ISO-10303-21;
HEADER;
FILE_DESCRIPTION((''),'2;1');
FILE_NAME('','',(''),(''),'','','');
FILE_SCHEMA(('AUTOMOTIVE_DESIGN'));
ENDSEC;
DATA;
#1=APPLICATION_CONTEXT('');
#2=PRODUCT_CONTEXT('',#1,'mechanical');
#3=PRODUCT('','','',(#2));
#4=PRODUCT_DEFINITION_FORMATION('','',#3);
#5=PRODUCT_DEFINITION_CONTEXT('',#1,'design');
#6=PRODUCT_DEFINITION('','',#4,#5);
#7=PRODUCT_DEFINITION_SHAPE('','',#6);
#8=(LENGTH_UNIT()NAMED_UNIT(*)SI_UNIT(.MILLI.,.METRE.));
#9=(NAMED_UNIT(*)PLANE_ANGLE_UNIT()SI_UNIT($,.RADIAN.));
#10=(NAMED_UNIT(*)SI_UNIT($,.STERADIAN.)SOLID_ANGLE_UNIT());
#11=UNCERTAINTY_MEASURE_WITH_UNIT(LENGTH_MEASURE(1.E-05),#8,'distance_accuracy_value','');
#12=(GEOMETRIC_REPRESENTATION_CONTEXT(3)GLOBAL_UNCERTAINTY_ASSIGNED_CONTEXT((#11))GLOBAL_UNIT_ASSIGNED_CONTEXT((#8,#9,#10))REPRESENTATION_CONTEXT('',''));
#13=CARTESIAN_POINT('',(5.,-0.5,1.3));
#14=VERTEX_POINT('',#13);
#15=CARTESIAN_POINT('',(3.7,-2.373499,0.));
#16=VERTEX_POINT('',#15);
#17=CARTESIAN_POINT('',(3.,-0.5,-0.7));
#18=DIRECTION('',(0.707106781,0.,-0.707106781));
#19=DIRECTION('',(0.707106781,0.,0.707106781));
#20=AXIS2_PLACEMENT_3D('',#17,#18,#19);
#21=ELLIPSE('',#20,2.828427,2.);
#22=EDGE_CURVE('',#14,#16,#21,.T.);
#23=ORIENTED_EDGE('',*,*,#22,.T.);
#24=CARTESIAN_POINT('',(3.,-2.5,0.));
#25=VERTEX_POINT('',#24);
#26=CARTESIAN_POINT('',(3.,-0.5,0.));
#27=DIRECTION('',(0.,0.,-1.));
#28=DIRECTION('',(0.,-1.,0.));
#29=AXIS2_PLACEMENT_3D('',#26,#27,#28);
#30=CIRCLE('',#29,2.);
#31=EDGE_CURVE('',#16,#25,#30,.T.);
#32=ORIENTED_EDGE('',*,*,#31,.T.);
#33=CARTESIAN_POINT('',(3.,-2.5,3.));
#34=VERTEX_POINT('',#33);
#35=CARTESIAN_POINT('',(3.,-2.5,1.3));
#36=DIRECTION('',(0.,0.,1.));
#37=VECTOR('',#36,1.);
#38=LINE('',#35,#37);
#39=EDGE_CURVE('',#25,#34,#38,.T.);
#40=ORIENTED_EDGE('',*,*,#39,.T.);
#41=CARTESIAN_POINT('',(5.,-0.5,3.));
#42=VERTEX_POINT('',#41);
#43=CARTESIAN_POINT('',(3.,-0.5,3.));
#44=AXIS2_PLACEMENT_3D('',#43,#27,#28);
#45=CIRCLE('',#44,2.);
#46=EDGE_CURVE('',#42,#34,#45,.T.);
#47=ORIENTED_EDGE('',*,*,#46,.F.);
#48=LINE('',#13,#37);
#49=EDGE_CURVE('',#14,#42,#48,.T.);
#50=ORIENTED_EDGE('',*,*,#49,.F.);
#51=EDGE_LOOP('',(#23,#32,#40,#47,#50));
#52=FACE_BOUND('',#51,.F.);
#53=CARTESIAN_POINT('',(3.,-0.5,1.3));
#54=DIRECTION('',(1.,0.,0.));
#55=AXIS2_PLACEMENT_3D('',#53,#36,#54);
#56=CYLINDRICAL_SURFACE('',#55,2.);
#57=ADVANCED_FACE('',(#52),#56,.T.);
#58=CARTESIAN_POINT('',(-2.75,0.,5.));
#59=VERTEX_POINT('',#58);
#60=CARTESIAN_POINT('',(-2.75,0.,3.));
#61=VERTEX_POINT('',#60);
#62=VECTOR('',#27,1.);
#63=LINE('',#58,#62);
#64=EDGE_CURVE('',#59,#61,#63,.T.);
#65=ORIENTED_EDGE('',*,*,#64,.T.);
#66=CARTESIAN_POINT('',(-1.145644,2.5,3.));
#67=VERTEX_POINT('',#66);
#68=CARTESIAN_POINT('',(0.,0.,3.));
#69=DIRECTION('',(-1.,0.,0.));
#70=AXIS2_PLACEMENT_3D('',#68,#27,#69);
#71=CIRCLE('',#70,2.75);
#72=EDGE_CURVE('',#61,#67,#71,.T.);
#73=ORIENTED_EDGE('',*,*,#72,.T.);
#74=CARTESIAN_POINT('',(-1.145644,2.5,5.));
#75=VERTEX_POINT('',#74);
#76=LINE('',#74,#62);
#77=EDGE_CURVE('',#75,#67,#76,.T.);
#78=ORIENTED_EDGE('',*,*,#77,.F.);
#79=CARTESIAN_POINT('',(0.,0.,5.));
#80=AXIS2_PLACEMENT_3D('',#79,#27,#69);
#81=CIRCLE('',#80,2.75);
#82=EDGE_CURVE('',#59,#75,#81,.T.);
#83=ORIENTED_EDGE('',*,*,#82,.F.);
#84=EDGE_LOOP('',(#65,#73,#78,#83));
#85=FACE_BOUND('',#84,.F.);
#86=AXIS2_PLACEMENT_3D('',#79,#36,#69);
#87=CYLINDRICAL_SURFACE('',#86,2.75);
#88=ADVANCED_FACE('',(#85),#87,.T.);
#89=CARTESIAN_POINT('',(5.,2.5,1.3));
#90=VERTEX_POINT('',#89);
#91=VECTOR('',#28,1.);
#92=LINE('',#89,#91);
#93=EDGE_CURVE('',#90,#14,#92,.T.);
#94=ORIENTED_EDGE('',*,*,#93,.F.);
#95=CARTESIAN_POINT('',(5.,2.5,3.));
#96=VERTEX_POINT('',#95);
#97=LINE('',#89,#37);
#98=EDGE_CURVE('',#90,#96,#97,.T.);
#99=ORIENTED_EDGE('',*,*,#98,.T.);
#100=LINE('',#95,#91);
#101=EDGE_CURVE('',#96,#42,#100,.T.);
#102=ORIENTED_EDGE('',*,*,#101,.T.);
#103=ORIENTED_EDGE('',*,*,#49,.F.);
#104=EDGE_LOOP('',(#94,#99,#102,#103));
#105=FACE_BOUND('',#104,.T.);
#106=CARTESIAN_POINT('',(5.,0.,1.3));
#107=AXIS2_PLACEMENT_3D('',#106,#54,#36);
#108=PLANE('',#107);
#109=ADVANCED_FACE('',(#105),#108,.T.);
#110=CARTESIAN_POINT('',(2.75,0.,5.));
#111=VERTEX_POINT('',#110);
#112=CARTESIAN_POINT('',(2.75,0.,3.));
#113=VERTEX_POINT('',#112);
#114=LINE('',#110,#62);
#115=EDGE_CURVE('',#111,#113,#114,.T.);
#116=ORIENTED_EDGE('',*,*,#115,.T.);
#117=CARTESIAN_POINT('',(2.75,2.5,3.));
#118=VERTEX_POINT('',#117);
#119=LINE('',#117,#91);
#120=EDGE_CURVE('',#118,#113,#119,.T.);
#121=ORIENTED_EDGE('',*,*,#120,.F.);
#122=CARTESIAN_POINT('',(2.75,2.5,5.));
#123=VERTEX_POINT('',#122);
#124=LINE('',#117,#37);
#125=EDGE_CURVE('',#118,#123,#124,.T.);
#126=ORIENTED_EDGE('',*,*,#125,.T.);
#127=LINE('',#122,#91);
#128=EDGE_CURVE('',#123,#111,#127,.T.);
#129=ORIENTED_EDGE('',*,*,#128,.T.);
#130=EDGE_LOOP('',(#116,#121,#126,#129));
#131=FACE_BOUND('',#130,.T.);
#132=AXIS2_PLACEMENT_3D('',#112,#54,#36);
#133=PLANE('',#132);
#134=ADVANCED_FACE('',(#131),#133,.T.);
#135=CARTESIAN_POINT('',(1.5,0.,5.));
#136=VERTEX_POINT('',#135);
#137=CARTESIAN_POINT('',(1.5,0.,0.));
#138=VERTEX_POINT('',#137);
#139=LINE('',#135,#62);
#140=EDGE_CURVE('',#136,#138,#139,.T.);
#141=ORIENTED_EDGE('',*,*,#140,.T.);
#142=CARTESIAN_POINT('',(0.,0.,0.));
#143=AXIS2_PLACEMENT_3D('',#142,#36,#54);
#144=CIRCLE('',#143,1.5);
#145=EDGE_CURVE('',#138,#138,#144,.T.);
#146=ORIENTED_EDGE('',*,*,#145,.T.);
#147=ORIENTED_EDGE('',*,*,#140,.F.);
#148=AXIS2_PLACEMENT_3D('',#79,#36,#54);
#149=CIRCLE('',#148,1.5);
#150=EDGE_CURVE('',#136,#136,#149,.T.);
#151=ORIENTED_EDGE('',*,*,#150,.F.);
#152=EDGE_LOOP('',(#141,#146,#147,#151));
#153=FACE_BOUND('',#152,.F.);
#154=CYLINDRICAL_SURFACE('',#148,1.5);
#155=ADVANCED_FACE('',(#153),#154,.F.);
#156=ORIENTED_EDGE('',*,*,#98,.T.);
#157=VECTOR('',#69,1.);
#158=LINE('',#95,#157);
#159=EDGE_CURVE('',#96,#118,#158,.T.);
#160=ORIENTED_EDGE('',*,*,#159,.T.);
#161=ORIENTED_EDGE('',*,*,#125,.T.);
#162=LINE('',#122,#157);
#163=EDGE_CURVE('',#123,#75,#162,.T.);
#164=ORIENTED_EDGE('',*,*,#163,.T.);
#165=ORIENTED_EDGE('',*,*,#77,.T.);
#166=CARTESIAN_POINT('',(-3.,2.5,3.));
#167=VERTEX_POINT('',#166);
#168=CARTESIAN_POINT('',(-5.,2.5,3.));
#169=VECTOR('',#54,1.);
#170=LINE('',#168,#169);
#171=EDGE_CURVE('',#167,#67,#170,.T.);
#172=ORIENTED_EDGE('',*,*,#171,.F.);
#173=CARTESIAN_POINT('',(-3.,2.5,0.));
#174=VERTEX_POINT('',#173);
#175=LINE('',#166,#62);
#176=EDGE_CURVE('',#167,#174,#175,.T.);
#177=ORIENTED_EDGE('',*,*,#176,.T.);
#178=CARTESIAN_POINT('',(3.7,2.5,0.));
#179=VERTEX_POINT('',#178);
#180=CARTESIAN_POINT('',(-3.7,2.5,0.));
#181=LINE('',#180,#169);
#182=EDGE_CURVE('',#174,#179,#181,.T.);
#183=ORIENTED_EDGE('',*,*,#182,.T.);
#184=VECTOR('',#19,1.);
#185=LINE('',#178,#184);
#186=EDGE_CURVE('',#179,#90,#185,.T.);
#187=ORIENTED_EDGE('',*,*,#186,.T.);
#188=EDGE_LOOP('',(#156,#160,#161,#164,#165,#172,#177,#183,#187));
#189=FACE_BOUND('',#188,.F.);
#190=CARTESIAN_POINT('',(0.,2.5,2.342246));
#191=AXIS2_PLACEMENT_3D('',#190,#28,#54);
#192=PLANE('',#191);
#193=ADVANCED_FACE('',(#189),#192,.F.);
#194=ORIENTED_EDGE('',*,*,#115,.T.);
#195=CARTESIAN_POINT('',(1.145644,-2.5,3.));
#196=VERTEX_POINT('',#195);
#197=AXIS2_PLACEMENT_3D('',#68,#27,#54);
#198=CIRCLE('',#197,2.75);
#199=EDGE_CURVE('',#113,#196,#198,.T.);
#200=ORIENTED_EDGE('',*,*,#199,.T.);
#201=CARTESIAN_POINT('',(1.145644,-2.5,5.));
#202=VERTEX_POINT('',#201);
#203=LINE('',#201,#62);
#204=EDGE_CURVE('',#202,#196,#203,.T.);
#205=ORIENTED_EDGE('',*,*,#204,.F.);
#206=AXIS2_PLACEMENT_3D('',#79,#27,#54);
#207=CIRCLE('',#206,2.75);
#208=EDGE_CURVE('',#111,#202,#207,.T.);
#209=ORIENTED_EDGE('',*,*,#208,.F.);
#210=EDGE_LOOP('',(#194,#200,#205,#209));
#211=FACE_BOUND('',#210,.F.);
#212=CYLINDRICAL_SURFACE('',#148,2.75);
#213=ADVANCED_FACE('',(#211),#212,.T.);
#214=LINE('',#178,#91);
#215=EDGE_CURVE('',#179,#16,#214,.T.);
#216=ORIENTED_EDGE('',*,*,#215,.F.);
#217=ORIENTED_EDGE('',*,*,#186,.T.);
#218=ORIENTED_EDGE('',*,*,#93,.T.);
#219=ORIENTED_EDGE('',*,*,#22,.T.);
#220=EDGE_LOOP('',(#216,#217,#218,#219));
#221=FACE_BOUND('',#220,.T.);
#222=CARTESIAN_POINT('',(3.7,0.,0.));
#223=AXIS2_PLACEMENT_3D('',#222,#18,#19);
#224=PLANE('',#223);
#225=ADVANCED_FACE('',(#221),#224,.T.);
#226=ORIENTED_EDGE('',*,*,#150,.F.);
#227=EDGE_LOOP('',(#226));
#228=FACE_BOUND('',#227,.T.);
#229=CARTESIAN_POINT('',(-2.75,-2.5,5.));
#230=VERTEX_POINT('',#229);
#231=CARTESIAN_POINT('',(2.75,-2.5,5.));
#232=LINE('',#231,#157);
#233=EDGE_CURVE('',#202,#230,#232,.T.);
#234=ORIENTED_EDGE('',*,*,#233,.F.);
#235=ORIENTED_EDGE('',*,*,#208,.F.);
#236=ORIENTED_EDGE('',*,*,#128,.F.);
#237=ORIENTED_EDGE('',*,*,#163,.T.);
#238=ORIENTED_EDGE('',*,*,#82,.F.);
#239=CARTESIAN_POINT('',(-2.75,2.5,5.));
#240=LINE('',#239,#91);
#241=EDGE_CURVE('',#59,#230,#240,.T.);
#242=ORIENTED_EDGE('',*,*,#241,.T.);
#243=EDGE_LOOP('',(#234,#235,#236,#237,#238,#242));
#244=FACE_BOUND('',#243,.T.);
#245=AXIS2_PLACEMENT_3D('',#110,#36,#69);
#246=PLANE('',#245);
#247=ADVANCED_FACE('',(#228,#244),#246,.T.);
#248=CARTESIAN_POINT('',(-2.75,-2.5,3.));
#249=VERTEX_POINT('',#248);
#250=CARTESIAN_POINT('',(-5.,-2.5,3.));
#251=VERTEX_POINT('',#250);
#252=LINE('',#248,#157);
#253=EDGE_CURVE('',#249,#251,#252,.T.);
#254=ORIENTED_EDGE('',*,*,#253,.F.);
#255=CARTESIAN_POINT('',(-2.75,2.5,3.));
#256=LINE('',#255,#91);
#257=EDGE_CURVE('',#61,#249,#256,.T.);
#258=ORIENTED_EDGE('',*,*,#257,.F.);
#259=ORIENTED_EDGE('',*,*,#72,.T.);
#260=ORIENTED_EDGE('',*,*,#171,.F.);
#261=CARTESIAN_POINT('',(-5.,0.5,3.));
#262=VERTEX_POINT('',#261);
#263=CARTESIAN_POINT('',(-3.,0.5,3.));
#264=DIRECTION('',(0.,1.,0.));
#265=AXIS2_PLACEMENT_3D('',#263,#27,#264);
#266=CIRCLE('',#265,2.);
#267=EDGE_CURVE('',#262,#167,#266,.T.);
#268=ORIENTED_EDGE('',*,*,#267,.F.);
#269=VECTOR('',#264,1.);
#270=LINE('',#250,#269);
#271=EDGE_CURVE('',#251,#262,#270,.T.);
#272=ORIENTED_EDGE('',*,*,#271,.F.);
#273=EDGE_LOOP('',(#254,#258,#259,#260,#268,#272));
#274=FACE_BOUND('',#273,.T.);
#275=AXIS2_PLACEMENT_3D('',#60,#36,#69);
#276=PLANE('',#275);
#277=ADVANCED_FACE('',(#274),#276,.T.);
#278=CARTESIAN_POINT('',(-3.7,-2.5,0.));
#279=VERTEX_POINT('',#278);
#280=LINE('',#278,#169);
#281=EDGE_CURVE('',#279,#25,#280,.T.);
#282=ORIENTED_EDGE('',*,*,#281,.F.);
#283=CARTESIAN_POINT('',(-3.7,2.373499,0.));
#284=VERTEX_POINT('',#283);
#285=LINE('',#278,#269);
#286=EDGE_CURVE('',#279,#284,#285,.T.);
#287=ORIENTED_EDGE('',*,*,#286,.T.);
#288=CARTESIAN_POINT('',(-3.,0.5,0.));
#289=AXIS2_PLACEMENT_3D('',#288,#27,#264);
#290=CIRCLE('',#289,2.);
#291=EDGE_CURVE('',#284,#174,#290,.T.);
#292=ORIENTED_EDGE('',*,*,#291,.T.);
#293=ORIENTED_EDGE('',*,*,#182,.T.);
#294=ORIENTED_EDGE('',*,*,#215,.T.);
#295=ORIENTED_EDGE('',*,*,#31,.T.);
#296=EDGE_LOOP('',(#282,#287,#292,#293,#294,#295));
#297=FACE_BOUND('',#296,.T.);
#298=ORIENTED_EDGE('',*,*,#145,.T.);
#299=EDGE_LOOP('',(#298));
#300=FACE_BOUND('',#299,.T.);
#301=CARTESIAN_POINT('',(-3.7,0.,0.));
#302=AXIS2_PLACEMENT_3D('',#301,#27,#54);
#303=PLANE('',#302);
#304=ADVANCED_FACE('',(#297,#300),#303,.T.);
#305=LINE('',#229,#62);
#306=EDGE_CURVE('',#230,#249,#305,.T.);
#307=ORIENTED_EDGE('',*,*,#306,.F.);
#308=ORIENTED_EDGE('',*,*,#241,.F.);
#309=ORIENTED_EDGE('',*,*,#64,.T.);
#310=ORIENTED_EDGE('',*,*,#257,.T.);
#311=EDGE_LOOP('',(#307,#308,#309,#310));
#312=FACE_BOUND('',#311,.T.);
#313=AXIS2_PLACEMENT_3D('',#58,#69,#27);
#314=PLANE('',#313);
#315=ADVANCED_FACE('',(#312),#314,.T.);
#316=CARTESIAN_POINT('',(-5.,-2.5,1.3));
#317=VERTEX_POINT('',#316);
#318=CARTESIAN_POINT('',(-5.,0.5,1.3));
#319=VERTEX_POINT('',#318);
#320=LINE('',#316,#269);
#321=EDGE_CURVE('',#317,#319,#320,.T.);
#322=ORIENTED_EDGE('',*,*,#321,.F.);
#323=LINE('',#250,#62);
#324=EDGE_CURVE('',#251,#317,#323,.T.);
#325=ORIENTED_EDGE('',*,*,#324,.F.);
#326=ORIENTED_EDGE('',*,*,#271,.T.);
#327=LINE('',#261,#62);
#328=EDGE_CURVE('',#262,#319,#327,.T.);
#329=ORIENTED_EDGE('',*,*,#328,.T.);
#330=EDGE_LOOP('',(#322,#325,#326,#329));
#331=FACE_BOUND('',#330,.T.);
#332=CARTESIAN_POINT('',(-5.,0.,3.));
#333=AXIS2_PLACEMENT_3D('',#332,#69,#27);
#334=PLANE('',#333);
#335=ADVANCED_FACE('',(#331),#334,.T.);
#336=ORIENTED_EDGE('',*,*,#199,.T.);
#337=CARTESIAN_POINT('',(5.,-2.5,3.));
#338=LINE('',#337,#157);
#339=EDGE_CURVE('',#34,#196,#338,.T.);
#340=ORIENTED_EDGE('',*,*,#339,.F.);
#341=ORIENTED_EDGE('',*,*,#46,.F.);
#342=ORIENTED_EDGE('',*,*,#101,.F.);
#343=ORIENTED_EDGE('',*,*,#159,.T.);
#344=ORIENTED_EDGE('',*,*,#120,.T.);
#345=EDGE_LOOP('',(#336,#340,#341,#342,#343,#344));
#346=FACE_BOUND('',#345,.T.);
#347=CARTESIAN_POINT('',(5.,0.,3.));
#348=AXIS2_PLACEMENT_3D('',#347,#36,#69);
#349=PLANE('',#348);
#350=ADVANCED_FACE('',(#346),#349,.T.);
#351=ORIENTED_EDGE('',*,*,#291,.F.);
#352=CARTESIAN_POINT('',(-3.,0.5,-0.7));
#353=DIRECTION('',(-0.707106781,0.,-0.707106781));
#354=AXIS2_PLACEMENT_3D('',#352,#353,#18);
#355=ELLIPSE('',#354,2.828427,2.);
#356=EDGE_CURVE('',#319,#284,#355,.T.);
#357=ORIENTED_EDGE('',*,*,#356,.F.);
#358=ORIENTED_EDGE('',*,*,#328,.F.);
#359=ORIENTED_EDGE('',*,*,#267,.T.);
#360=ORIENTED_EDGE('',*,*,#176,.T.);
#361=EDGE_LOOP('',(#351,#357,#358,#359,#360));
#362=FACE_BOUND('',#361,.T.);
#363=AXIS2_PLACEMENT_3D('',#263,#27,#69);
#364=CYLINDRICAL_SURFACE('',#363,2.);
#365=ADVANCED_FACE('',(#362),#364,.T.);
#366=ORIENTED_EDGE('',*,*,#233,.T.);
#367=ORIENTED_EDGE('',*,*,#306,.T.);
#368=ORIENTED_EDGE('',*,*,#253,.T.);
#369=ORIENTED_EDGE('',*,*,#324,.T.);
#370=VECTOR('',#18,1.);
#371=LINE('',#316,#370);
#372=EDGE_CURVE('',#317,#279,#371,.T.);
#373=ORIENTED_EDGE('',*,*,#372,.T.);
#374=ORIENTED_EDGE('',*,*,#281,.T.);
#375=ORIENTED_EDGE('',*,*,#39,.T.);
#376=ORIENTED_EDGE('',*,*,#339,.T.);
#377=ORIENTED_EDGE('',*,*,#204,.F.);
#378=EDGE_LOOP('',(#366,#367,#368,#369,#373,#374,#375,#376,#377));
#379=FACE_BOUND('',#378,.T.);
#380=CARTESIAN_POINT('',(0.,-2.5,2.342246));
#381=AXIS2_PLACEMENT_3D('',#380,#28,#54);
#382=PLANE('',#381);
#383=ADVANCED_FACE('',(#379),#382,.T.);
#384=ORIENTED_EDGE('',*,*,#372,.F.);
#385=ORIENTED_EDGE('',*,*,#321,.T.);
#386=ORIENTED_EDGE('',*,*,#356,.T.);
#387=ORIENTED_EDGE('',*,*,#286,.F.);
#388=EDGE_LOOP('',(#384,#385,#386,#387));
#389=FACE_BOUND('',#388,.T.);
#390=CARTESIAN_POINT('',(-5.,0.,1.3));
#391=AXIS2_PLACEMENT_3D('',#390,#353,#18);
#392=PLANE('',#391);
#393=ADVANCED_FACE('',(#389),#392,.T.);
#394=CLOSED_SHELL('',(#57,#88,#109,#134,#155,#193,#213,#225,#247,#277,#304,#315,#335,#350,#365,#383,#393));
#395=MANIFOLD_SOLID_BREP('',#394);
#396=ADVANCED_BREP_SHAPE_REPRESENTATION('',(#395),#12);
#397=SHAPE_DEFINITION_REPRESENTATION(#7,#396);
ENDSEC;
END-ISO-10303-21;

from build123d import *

# Parameters (mm, degrees)
F1_DEPTH      = 2.5
F1_DEPTH_BACK = 2.5
F3_R          = 1.5
F4_DEPTH      = 5.001
F6_DEPTH      = 2
F7_R          = 2


with BuildPart() as f1:
    # F0 (on Front) → F1 (new body, two sides)
    with BuildSketch(Plane.XZ) as f1_sk:
        Polygon((-3.7, 0), (0, 0), (3.7, 0), (5, 1.3), (5, 3), (2.75, 3), (2.75, 5), (0, 5), (-2.75, 5), (-2.75, 3), (-5, 3), (-5, 1.3), align=None)
    extrude(amount=F1_DEPTH)
    extrude(f1_sk.sketch, amount=-F1_DEPTH_BACK)

    # F3 (on face) → F4 (cut, through all)
    with BuildSketch(Plane.XY.offset(5)):
        Circle(F3_R)
    extrude(amount=-F4_DEPTH, mode=Mode.SUBTRACT)

    # F5 (on face) → F6 (cut, through all)
    with BuildSketch(Plane.XY.offset(5)):
        with BuildLine():
            Line((2.75, -2.5), (2.75, 0))
            ThreePointArc((2.75, 0), (2.314413618, -1.4852574204), (1.1456439237, -2.5))
            Line((1.1456439237, -2.5), (2.75, -2.5))
        make_face()
        with BuildLine():
            ThreePointArc((-2.75, 0), (-2.314413618, 1.4852574204), (-1.1456439237, 2.5))
            Line((-1.1456439237, 2.5), (-2.75, 2.5))
            Line((-2.75, 2.5), (-2.75, 0))
        make_face()
    extrude(amount=-F6_DEPTH, mode=Mode.SUBTRACT)

    # F7
    f7_edges = [f1.edges().sort_by_distance(p)[0] for p in [
        (5, -2.5, 2.15),
        (-5, 2.5, 2.15),
    ]]
    fillet(f7_edges, radius=F7_R)


solid = f1.part
